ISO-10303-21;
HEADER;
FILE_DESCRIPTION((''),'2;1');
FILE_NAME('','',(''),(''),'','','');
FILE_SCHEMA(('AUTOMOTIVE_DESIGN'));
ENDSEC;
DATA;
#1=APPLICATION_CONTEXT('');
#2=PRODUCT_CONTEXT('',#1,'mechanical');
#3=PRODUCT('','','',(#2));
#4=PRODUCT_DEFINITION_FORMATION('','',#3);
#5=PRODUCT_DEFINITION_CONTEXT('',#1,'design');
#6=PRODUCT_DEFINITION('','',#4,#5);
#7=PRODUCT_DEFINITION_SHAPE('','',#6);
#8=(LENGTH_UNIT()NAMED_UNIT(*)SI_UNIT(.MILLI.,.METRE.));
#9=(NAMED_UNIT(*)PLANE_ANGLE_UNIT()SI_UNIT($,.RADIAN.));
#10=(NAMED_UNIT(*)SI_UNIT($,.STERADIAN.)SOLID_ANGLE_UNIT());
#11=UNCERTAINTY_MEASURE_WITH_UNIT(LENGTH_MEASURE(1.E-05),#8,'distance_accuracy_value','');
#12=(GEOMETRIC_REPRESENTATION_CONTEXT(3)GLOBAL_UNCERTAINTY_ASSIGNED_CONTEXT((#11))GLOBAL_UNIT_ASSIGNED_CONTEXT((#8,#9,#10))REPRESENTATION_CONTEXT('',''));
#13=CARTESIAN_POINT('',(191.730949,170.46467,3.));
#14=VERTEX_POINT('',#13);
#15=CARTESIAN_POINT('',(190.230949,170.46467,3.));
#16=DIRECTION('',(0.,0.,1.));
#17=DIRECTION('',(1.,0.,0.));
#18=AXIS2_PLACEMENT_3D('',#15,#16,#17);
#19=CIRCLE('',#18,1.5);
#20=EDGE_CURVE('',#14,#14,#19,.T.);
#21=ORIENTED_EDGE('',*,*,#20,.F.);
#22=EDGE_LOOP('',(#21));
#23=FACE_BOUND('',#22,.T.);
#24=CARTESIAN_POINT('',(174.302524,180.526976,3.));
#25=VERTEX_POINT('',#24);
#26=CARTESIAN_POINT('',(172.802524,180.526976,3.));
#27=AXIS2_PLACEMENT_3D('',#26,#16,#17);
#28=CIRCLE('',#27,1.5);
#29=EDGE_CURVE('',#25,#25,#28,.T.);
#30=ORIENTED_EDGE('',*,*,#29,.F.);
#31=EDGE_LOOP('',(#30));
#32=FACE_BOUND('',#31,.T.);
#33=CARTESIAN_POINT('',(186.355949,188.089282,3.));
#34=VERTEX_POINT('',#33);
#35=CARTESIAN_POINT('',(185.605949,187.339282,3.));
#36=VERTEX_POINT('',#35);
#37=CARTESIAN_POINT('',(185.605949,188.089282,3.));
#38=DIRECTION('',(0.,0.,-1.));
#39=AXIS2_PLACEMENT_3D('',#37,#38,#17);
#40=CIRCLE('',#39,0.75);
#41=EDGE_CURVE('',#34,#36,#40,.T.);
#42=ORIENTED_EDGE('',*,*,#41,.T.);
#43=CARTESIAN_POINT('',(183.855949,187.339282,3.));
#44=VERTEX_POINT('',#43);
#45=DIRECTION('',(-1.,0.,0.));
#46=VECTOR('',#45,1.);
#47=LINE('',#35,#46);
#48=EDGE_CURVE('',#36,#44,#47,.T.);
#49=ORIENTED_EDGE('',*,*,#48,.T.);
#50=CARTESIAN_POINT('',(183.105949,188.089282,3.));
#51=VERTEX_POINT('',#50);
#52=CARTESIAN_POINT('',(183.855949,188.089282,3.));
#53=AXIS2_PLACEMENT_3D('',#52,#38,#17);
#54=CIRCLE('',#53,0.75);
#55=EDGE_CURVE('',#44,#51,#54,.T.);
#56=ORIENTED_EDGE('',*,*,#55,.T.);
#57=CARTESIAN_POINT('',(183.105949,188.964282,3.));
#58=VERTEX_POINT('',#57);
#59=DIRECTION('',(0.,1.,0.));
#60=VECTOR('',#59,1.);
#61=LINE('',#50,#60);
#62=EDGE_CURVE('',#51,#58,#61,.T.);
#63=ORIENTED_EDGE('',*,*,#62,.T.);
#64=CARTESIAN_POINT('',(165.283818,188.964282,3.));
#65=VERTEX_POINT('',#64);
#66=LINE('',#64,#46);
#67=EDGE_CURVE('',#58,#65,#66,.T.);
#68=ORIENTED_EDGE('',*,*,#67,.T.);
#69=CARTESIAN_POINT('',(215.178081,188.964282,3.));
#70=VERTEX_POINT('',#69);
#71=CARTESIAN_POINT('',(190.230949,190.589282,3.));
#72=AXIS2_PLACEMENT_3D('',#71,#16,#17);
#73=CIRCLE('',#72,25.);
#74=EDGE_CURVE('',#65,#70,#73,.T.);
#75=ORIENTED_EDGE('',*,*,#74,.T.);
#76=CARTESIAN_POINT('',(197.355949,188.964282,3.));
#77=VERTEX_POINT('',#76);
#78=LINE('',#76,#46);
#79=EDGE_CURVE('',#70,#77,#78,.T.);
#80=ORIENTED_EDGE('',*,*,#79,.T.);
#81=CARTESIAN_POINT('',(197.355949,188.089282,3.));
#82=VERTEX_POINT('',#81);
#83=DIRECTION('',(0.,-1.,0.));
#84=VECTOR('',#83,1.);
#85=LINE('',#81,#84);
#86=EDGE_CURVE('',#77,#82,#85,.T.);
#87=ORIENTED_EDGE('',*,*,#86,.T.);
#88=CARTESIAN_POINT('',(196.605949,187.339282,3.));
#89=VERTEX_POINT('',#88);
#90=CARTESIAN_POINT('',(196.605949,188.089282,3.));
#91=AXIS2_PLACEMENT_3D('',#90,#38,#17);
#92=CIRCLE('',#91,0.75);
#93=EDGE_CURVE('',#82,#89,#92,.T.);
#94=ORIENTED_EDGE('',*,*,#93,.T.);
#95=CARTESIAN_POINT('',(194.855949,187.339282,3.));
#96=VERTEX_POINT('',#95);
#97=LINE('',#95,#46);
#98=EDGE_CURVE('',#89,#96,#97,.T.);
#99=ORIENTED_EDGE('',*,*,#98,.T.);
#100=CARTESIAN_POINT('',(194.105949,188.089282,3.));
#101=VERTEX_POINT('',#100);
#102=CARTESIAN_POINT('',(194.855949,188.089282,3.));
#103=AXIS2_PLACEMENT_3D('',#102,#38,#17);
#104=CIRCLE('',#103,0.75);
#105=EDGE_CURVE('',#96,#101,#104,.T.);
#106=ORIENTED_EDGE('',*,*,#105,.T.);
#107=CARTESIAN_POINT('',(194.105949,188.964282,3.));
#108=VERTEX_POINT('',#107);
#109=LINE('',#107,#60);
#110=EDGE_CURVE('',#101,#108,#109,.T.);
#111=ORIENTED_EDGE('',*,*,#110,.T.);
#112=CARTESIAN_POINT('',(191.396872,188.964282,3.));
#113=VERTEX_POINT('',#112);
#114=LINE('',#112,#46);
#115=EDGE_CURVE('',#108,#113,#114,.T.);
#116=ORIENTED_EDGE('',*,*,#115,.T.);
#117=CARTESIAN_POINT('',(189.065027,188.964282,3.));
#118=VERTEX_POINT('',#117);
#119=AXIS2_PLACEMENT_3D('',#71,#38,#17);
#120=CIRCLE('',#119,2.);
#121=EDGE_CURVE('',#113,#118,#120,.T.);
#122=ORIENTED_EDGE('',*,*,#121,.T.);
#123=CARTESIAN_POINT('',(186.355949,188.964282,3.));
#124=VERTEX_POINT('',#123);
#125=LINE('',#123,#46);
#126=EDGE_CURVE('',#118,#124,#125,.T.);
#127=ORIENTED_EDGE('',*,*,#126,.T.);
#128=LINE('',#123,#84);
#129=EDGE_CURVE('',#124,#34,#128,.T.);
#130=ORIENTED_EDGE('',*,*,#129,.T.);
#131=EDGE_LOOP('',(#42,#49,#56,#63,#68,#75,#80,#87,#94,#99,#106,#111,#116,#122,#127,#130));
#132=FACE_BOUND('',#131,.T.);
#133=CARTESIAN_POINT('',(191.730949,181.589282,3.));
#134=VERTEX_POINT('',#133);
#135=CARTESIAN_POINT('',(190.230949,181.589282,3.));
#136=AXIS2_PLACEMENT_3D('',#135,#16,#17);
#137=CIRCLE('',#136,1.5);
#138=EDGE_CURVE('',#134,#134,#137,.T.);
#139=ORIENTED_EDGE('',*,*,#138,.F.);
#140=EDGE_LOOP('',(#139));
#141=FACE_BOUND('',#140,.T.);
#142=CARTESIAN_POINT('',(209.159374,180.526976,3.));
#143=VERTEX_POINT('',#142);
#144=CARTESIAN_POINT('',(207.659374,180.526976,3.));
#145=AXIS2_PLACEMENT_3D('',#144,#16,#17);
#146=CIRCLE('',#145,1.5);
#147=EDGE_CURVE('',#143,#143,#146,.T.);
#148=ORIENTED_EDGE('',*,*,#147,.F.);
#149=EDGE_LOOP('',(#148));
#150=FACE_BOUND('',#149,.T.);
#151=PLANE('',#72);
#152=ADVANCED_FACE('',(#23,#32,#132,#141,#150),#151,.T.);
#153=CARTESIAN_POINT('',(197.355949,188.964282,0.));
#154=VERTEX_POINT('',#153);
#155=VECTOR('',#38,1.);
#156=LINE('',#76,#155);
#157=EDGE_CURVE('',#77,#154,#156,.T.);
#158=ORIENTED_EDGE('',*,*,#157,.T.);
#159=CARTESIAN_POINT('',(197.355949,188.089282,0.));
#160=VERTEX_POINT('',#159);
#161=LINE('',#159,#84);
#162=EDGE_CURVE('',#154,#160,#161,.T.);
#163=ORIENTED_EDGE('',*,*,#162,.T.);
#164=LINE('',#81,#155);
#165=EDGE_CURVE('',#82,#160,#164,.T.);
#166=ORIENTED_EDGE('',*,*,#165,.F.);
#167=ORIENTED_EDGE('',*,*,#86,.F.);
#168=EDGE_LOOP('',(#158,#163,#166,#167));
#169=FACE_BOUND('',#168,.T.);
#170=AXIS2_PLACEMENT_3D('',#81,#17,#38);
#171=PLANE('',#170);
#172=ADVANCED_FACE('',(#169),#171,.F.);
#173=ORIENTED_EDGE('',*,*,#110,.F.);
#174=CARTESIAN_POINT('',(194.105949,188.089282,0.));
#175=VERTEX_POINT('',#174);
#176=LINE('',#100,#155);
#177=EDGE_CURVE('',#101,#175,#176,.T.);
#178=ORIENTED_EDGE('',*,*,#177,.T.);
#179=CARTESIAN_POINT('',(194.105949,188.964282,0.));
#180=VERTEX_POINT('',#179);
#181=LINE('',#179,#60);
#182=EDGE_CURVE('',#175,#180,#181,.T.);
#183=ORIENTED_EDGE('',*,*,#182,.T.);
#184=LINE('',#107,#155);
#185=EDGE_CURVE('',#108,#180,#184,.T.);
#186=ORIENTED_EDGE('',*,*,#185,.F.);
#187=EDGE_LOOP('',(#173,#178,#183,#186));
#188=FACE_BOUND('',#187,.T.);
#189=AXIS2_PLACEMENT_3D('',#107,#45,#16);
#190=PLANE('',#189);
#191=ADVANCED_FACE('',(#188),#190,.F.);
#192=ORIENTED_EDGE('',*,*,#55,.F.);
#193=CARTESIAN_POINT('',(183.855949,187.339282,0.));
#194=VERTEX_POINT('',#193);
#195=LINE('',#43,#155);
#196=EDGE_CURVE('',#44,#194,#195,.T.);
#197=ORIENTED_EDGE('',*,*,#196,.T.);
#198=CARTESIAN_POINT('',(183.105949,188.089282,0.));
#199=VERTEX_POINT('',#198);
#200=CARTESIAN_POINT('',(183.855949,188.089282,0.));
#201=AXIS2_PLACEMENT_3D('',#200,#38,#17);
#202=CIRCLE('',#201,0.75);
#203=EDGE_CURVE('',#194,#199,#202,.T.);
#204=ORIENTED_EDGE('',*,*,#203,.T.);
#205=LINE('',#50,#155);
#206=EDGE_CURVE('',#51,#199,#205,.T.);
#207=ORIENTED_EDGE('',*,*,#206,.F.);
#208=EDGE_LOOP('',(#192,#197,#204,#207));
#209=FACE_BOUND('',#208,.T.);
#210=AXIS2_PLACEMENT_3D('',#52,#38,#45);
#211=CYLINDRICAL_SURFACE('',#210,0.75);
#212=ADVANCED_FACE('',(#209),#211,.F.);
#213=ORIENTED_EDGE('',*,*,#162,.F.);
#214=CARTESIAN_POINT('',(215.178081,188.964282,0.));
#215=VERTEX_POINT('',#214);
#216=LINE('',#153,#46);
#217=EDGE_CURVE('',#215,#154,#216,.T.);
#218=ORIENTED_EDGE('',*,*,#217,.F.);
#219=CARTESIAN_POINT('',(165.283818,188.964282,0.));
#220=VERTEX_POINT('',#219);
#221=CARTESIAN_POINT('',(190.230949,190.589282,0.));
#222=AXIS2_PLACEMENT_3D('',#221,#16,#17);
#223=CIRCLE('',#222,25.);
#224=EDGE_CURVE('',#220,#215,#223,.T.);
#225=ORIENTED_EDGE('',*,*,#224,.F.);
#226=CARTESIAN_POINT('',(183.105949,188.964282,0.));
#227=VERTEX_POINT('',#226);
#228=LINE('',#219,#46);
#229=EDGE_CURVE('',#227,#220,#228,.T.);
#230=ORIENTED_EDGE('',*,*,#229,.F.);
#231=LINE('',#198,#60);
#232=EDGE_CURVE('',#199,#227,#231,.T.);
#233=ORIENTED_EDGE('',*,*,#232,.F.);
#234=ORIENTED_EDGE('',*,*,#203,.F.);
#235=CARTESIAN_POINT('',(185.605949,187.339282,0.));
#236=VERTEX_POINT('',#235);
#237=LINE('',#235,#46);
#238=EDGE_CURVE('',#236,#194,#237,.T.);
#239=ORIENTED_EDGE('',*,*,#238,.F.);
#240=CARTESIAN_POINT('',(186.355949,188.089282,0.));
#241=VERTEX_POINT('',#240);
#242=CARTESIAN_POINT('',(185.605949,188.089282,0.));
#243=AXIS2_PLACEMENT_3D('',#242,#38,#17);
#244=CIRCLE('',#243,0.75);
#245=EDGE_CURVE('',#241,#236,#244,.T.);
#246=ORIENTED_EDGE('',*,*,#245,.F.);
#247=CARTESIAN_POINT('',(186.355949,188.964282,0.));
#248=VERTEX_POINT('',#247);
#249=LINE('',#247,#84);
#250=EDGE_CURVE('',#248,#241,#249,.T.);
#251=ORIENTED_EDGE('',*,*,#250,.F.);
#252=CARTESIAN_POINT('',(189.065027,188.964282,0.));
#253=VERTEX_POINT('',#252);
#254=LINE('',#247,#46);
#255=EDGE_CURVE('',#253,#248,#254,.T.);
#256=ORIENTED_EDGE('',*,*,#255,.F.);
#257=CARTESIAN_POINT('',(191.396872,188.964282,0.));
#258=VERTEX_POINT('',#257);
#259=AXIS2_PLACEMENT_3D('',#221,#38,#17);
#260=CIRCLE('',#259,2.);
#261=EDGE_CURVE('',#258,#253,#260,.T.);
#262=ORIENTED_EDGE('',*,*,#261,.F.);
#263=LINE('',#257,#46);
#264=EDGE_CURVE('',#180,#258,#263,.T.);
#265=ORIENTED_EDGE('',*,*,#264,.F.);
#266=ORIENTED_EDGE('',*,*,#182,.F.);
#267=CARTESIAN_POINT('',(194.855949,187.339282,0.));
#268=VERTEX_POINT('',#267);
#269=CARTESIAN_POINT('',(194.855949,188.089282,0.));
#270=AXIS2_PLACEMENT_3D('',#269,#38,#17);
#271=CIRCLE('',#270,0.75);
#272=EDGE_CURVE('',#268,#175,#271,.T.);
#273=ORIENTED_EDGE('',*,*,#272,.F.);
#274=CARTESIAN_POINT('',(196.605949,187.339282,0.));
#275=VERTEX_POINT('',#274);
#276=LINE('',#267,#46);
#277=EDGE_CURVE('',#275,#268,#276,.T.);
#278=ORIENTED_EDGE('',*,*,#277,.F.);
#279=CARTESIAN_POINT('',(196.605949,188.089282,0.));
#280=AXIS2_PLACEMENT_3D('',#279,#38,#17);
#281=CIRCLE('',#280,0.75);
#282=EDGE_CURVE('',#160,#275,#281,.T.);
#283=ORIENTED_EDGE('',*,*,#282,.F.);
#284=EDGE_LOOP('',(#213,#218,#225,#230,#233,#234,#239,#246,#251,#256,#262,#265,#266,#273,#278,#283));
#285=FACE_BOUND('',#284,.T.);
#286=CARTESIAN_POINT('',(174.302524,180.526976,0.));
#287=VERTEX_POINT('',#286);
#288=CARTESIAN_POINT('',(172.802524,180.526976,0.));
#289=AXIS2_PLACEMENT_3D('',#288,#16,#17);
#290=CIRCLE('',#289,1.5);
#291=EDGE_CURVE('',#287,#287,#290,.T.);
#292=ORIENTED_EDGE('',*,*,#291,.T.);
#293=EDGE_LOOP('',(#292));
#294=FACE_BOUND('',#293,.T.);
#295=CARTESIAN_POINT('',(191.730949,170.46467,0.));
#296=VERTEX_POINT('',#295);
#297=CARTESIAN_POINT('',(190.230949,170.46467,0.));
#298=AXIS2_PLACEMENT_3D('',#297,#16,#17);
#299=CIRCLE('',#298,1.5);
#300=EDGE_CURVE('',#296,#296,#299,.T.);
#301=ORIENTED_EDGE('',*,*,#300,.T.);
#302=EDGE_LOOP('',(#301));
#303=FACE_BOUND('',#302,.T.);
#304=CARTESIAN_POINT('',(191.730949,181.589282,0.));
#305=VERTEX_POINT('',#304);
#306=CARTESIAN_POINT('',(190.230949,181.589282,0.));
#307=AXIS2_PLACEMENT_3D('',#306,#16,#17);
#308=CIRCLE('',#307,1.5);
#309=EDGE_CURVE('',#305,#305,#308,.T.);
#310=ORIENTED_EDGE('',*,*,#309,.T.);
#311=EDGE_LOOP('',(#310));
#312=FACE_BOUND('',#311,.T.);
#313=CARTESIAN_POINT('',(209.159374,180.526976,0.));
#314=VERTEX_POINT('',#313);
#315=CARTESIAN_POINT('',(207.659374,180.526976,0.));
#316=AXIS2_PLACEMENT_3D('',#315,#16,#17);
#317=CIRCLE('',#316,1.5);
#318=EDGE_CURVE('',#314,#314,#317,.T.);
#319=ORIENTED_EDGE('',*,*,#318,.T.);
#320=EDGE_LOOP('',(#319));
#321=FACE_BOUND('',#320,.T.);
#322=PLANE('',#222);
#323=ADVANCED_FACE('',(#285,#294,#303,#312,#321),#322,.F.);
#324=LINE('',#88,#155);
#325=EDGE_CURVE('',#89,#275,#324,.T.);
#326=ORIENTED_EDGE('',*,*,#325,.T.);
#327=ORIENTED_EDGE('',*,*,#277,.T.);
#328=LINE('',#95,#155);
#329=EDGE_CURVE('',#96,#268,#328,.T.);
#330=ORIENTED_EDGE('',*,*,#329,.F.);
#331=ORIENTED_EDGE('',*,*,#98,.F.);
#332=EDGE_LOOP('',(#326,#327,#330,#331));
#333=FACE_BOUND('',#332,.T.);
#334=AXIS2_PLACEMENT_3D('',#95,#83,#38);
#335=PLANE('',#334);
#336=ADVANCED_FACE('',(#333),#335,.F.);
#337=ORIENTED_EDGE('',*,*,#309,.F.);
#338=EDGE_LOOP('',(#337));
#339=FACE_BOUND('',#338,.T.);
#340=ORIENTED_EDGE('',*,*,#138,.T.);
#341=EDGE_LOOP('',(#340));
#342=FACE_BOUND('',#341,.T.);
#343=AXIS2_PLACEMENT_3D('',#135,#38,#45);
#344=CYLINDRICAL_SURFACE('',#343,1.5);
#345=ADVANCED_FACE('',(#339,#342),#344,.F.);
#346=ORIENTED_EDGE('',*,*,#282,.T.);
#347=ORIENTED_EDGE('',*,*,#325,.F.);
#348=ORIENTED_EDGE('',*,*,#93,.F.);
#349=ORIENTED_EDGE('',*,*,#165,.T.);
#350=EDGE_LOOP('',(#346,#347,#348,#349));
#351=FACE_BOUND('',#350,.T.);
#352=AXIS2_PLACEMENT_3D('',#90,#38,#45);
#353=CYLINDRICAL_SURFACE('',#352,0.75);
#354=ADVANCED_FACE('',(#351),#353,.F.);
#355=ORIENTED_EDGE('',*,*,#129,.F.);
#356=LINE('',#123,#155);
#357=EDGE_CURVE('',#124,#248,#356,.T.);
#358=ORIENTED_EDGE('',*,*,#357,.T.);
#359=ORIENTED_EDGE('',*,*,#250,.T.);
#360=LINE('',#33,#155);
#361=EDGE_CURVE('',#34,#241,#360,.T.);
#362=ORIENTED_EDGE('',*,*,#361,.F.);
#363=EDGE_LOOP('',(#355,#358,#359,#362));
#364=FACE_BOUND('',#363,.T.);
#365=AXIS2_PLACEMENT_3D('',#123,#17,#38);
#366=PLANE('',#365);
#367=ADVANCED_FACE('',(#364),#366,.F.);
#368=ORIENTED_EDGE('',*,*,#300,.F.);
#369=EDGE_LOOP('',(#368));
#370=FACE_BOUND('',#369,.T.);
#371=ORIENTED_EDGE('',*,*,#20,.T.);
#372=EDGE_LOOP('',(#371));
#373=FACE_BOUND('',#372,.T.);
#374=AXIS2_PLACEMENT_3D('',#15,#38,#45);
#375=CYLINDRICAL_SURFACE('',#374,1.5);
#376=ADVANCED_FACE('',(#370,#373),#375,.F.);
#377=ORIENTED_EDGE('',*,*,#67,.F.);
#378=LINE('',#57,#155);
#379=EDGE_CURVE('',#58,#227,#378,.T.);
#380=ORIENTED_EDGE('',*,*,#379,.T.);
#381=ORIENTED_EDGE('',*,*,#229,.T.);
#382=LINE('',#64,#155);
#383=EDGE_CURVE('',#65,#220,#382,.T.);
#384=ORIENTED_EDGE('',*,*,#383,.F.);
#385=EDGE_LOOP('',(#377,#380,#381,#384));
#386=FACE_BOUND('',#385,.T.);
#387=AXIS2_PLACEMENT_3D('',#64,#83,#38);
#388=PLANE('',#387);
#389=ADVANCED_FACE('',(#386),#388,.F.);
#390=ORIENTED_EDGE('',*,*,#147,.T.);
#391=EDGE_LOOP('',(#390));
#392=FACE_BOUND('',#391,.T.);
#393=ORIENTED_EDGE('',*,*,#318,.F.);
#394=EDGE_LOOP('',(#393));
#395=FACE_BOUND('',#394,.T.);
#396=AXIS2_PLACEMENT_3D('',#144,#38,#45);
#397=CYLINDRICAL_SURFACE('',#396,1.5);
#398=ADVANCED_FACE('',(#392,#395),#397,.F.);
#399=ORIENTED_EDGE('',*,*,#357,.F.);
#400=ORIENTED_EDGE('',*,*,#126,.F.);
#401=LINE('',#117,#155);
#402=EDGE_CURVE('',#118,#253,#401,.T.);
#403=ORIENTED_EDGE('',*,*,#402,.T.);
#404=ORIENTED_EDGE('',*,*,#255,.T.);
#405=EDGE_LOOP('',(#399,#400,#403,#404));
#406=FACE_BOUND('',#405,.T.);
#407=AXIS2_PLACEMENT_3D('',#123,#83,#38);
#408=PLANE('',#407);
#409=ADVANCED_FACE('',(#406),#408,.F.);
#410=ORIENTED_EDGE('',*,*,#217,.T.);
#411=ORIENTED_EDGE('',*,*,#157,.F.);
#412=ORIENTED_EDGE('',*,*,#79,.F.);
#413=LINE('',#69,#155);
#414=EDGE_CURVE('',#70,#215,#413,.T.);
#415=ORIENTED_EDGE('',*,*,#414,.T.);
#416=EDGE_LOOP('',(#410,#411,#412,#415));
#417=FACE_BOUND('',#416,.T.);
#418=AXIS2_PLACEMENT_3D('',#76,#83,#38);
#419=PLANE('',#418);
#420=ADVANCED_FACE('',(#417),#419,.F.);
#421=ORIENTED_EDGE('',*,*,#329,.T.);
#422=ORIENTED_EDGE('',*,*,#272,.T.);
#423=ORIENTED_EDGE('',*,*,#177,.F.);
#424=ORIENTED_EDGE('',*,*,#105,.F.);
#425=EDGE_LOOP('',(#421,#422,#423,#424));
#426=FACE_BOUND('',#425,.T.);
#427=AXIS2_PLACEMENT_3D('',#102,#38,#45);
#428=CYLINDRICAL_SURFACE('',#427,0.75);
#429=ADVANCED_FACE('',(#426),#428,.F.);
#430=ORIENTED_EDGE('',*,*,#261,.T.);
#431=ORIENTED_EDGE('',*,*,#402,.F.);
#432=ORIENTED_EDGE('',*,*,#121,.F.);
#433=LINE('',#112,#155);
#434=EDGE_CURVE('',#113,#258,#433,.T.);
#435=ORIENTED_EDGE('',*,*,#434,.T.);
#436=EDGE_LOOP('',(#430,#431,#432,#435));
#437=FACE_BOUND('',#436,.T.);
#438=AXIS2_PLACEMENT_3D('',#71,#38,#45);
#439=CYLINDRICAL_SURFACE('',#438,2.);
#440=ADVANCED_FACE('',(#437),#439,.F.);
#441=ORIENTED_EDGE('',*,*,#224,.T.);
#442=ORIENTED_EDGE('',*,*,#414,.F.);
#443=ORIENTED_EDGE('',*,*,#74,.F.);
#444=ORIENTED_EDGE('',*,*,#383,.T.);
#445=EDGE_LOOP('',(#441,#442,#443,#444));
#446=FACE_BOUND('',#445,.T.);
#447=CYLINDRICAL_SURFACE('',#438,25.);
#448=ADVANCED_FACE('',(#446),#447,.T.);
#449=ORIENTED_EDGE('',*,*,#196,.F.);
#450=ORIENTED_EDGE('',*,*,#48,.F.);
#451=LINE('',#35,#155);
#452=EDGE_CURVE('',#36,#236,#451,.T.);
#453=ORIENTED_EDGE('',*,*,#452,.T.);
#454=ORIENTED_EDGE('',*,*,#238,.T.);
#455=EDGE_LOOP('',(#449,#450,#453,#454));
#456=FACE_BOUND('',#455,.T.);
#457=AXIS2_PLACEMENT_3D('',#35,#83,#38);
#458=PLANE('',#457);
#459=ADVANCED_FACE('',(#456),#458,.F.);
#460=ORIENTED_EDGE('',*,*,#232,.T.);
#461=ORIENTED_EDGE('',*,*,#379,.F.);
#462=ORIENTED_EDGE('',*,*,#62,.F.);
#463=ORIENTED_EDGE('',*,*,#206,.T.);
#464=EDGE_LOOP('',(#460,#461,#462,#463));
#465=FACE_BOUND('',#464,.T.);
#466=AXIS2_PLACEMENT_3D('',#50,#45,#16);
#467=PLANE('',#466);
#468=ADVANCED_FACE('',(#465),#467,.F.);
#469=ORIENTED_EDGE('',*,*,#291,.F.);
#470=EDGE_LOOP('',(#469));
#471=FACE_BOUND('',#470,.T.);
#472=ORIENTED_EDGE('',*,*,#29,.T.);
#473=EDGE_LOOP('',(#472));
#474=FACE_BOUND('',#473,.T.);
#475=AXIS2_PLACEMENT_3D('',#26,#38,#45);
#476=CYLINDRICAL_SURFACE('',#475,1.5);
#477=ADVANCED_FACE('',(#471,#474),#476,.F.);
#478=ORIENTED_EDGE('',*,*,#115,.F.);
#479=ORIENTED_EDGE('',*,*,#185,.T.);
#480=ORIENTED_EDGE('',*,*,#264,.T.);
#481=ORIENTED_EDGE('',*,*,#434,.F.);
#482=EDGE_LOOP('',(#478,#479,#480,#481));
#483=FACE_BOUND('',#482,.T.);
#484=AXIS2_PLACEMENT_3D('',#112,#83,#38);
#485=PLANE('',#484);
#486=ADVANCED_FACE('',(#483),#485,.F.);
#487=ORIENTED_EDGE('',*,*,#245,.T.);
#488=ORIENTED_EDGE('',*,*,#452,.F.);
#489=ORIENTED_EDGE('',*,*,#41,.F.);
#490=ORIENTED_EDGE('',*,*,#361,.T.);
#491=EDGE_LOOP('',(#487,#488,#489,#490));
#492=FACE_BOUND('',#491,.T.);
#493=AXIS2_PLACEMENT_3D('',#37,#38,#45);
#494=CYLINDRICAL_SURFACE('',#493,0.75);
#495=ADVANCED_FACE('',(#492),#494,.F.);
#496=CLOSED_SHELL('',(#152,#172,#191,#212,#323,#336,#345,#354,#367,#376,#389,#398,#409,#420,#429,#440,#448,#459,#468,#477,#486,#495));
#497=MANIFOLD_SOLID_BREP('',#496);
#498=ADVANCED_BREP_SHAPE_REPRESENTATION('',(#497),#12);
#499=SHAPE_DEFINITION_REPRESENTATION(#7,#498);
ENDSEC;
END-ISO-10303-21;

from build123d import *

# Parameters (mm, degrees)
MODEL_R                 = 1.5
SALIENTE_EXTRUIR1_DEPTH = 3


with BuildPart() as part:
    # Model → Saliente-Extruir1 (new body)
    with BuildSketch(Plane.XY):
        with BuildLine():
            Line((191.396871733, 188.964281637), (194.105949351, 188.964281637))
            Line((194.105949351, 188.964281637), (194.105949351, 188.089281637))
            ThreePointArc((194.105949351, 188.089281637), (194.325619265, 187.558951551), (194.855949351, 187.339281637))
            Line((194.855949351, 187.339281637), (196.605949351, 187.339281637))
            ThreePointArc((196.605949351, 187.339281637), (197.136279437, 187.558951551), (197.355949351, 188.089281637))
            Line((197.355949351, 188.089281637), (197.355949351, 188.964281637))
            Line((197.355949351, 188.964281637), (215.17808095, 188.964281637))
            ThreePointArc((215.17808095, 188.964281637), (208.476468276, 173.498317967), (193.480949351, 165.80143179))
            ThreePointArc((193.480949351, 165.80143179), (174.362087289, 171.27143453), (165.283817753, 188.964281637))
            Line((165.283817753, 188.964281637), (183.105949351, 188.964281637))
            Line((183.105949351, 188.964281637), (183.105949351, 188.089281637))
            ThreePointArc((183.105949351, 188.089281637), (183.325619265, 187.558951551), (183.855949351, 187.339281637))
            Line((183.855949351, 187.339281637), (185.605949351, 187.339281637))
            ThreePointArc((185.605949351, 187.339281637), (186.136279437, 187.558951551), (186.355949351, 188.089281637))
            Line((186.355949351, 188.089281637), (186.355949351, 188.964281637))
            Line((186.355949351, 188.964281637), (189.06502697, 188.964281637))
            ThreePointArc((189.06502697, 188.964281637), (190.230949351, 188.589281637), (191.396871733, 188.964281637))
        make_face()
        with Locations((172.802524293, 180.526975738)):
            Circle(MODEL_R, mode=Mode.SUBTRACT)
        with Locations((190.230949351, 170.464669839)):
            Circle(MODEL_R, mode=Mode.SUBTRACT)
        with Locations((207.659374409, 180.526975738)):
            Circle(MODEL_R, mode=Mode.SUBTRACT)
        with Locations((190.230949351, 181.589281637)):
            Circle(MODEL_R, mode=Mode.SUBTRACT)
    extrude(amount=SALIENTE_EXTRUIR1_DEPTH)


solid = part.part
